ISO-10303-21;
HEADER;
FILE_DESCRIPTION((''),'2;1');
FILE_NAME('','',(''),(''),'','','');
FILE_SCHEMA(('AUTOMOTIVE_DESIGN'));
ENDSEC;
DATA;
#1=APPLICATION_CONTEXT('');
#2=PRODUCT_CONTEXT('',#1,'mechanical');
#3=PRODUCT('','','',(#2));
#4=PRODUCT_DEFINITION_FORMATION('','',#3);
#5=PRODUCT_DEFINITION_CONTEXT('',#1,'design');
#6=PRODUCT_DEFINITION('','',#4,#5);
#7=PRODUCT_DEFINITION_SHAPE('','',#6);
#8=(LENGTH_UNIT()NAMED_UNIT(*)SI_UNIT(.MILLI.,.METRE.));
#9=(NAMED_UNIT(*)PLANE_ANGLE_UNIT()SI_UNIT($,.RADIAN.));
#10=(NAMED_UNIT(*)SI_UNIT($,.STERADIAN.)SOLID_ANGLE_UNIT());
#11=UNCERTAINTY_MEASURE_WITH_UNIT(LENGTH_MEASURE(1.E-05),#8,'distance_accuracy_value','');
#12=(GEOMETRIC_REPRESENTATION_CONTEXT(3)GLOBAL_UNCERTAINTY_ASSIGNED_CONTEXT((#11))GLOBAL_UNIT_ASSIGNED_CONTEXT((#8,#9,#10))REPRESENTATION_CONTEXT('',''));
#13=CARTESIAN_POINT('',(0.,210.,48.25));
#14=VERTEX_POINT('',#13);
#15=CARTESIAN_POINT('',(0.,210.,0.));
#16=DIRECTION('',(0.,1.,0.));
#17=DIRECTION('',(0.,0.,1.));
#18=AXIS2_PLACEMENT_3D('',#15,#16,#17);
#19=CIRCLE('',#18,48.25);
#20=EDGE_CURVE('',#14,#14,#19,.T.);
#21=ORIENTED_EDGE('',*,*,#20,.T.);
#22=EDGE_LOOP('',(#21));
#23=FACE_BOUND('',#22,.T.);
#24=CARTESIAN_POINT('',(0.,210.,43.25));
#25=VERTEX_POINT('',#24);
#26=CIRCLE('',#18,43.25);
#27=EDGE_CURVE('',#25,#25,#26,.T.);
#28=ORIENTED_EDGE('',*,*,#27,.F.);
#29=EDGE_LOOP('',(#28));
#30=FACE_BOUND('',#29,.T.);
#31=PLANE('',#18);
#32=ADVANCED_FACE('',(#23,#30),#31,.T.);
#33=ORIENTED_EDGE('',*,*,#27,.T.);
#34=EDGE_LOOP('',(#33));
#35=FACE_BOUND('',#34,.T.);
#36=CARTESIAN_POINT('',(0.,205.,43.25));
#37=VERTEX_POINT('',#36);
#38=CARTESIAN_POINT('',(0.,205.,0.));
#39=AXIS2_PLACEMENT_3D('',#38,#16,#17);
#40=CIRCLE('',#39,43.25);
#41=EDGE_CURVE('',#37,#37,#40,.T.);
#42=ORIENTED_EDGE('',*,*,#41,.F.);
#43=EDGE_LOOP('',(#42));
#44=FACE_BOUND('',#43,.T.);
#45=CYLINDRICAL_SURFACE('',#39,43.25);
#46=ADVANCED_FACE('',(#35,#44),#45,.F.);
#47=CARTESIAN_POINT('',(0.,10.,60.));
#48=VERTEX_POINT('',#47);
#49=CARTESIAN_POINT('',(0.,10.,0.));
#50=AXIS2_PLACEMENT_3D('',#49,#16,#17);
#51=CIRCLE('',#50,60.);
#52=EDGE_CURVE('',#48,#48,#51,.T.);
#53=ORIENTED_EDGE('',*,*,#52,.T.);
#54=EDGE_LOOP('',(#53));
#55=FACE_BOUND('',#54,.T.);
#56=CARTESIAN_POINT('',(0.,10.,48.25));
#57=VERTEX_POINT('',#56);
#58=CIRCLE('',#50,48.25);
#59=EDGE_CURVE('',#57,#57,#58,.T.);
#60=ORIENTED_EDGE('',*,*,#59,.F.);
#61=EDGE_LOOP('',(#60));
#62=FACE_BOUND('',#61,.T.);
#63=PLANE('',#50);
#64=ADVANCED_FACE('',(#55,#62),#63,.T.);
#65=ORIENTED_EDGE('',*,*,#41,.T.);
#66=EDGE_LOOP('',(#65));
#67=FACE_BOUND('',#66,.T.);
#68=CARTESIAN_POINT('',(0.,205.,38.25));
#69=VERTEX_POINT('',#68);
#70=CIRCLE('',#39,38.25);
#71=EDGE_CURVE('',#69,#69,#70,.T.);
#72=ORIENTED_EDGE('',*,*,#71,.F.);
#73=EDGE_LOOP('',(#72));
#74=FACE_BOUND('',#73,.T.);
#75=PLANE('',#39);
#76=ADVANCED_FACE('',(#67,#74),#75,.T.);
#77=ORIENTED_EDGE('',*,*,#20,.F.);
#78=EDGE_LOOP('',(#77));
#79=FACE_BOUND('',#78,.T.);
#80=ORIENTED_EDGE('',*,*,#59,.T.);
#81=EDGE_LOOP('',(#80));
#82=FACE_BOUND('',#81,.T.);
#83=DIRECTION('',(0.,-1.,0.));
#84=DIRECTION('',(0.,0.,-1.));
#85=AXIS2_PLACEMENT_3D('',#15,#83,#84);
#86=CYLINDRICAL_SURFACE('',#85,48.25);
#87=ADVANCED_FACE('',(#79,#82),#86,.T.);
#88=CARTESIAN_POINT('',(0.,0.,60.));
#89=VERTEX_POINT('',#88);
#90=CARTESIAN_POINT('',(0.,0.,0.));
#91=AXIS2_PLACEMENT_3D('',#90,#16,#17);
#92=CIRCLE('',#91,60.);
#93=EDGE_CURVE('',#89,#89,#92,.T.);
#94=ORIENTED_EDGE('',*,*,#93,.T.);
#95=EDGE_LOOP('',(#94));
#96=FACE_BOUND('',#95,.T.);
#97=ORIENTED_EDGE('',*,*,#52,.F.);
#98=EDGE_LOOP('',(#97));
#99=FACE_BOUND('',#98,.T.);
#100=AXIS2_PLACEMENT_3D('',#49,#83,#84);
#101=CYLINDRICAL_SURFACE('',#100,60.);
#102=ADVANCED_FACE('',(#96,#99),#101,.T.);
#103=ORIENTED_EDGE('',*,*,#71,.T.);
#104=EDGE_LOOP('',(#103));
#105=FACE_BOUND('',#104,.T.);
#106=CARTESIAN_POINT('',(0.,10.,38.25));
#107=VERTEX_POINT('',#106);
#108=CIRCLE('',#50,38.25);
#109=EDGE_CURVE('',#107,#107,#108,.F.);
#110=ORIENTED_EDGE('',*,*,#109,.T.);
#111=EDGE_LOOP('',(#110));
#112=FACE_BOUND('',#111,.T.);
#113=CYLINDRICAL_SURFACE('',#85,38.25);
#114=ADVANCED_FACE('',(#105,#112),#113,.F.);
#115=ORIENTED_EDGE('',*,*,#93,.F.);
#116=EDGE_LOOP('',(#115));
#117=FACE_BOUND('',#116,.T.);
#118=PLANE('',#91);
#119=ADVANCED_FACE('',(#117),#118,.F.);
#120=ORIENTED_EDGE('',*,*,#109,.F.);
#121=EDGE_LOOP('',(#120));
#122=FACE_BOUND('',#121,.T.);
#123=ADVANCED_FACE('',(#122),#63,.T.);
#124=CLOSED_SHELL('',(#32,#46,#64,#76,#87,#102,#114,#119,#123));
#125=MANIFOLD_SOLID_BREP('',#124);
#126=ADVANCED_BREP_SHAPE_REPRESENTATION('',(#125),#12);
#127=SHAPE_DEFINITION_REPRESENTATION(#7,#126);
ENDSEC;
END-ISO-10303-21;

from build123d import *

# Parameters (mm, degrees)
SKETCH1_R           = 60
BOSS_EXTRUDE1_DEPTH = 10
SKETCH2_R           = 48.25
SKETCH2_R_2         = 38.25
BOSS_EXTRUDE2_DEPTH = 200
SKETCH3_R           = 43.25
CUT_EXTRUDE1_DEPTH  = 5


with BuildPart() as part:
    # Sketch1 → Boss-Extrude1 (new body)
    with BuildSketch(Plane(origin=(0, 0, 0), x_dir=(1, 0, 0), z_dir=(0, 1, 0))):
        with Locations(Location((0, 0, 0), (0, 0, 270))):
            Circle(SKETCH1_R)
    extrude(amount=BOSS_EXTRUDE1_DEPTH)

    # Sketch2 → Boss-Extrude2 (add)
    with BuildSketch(Plane(origin=(0, 10, 0), x_dir=(1, 0, 0), z_dir=(0, 1, 0))):
        with Locations(Location((0, 0, 0), (0, 0, 270))):
            Circle(SKETCH2_R)
        with Locations(Location((0, 0, 0), (0, 0, 270))):
            Circle(SKETCH2_R_2, mode=Mode.SUBTRACT)
    extrude(amount=BOSS_EXTRUDE2_DEPTH)

    # Sketch3 → Cut-Extrude1 (cut)
    with BuildSketch(Plane(origin=(0, 210, 0), x_dir=(1, 0, 0), z_dir=(0, 1, 0))):
        with Locations(Location((0, 0, 0), (0, 0, 270))):
            Circle(SKETCH3_R)
    extrude(amount=-CUT_EXTRUDE1_DEPTH, mode=Mode.SUBTRACT)


solid = part.part
